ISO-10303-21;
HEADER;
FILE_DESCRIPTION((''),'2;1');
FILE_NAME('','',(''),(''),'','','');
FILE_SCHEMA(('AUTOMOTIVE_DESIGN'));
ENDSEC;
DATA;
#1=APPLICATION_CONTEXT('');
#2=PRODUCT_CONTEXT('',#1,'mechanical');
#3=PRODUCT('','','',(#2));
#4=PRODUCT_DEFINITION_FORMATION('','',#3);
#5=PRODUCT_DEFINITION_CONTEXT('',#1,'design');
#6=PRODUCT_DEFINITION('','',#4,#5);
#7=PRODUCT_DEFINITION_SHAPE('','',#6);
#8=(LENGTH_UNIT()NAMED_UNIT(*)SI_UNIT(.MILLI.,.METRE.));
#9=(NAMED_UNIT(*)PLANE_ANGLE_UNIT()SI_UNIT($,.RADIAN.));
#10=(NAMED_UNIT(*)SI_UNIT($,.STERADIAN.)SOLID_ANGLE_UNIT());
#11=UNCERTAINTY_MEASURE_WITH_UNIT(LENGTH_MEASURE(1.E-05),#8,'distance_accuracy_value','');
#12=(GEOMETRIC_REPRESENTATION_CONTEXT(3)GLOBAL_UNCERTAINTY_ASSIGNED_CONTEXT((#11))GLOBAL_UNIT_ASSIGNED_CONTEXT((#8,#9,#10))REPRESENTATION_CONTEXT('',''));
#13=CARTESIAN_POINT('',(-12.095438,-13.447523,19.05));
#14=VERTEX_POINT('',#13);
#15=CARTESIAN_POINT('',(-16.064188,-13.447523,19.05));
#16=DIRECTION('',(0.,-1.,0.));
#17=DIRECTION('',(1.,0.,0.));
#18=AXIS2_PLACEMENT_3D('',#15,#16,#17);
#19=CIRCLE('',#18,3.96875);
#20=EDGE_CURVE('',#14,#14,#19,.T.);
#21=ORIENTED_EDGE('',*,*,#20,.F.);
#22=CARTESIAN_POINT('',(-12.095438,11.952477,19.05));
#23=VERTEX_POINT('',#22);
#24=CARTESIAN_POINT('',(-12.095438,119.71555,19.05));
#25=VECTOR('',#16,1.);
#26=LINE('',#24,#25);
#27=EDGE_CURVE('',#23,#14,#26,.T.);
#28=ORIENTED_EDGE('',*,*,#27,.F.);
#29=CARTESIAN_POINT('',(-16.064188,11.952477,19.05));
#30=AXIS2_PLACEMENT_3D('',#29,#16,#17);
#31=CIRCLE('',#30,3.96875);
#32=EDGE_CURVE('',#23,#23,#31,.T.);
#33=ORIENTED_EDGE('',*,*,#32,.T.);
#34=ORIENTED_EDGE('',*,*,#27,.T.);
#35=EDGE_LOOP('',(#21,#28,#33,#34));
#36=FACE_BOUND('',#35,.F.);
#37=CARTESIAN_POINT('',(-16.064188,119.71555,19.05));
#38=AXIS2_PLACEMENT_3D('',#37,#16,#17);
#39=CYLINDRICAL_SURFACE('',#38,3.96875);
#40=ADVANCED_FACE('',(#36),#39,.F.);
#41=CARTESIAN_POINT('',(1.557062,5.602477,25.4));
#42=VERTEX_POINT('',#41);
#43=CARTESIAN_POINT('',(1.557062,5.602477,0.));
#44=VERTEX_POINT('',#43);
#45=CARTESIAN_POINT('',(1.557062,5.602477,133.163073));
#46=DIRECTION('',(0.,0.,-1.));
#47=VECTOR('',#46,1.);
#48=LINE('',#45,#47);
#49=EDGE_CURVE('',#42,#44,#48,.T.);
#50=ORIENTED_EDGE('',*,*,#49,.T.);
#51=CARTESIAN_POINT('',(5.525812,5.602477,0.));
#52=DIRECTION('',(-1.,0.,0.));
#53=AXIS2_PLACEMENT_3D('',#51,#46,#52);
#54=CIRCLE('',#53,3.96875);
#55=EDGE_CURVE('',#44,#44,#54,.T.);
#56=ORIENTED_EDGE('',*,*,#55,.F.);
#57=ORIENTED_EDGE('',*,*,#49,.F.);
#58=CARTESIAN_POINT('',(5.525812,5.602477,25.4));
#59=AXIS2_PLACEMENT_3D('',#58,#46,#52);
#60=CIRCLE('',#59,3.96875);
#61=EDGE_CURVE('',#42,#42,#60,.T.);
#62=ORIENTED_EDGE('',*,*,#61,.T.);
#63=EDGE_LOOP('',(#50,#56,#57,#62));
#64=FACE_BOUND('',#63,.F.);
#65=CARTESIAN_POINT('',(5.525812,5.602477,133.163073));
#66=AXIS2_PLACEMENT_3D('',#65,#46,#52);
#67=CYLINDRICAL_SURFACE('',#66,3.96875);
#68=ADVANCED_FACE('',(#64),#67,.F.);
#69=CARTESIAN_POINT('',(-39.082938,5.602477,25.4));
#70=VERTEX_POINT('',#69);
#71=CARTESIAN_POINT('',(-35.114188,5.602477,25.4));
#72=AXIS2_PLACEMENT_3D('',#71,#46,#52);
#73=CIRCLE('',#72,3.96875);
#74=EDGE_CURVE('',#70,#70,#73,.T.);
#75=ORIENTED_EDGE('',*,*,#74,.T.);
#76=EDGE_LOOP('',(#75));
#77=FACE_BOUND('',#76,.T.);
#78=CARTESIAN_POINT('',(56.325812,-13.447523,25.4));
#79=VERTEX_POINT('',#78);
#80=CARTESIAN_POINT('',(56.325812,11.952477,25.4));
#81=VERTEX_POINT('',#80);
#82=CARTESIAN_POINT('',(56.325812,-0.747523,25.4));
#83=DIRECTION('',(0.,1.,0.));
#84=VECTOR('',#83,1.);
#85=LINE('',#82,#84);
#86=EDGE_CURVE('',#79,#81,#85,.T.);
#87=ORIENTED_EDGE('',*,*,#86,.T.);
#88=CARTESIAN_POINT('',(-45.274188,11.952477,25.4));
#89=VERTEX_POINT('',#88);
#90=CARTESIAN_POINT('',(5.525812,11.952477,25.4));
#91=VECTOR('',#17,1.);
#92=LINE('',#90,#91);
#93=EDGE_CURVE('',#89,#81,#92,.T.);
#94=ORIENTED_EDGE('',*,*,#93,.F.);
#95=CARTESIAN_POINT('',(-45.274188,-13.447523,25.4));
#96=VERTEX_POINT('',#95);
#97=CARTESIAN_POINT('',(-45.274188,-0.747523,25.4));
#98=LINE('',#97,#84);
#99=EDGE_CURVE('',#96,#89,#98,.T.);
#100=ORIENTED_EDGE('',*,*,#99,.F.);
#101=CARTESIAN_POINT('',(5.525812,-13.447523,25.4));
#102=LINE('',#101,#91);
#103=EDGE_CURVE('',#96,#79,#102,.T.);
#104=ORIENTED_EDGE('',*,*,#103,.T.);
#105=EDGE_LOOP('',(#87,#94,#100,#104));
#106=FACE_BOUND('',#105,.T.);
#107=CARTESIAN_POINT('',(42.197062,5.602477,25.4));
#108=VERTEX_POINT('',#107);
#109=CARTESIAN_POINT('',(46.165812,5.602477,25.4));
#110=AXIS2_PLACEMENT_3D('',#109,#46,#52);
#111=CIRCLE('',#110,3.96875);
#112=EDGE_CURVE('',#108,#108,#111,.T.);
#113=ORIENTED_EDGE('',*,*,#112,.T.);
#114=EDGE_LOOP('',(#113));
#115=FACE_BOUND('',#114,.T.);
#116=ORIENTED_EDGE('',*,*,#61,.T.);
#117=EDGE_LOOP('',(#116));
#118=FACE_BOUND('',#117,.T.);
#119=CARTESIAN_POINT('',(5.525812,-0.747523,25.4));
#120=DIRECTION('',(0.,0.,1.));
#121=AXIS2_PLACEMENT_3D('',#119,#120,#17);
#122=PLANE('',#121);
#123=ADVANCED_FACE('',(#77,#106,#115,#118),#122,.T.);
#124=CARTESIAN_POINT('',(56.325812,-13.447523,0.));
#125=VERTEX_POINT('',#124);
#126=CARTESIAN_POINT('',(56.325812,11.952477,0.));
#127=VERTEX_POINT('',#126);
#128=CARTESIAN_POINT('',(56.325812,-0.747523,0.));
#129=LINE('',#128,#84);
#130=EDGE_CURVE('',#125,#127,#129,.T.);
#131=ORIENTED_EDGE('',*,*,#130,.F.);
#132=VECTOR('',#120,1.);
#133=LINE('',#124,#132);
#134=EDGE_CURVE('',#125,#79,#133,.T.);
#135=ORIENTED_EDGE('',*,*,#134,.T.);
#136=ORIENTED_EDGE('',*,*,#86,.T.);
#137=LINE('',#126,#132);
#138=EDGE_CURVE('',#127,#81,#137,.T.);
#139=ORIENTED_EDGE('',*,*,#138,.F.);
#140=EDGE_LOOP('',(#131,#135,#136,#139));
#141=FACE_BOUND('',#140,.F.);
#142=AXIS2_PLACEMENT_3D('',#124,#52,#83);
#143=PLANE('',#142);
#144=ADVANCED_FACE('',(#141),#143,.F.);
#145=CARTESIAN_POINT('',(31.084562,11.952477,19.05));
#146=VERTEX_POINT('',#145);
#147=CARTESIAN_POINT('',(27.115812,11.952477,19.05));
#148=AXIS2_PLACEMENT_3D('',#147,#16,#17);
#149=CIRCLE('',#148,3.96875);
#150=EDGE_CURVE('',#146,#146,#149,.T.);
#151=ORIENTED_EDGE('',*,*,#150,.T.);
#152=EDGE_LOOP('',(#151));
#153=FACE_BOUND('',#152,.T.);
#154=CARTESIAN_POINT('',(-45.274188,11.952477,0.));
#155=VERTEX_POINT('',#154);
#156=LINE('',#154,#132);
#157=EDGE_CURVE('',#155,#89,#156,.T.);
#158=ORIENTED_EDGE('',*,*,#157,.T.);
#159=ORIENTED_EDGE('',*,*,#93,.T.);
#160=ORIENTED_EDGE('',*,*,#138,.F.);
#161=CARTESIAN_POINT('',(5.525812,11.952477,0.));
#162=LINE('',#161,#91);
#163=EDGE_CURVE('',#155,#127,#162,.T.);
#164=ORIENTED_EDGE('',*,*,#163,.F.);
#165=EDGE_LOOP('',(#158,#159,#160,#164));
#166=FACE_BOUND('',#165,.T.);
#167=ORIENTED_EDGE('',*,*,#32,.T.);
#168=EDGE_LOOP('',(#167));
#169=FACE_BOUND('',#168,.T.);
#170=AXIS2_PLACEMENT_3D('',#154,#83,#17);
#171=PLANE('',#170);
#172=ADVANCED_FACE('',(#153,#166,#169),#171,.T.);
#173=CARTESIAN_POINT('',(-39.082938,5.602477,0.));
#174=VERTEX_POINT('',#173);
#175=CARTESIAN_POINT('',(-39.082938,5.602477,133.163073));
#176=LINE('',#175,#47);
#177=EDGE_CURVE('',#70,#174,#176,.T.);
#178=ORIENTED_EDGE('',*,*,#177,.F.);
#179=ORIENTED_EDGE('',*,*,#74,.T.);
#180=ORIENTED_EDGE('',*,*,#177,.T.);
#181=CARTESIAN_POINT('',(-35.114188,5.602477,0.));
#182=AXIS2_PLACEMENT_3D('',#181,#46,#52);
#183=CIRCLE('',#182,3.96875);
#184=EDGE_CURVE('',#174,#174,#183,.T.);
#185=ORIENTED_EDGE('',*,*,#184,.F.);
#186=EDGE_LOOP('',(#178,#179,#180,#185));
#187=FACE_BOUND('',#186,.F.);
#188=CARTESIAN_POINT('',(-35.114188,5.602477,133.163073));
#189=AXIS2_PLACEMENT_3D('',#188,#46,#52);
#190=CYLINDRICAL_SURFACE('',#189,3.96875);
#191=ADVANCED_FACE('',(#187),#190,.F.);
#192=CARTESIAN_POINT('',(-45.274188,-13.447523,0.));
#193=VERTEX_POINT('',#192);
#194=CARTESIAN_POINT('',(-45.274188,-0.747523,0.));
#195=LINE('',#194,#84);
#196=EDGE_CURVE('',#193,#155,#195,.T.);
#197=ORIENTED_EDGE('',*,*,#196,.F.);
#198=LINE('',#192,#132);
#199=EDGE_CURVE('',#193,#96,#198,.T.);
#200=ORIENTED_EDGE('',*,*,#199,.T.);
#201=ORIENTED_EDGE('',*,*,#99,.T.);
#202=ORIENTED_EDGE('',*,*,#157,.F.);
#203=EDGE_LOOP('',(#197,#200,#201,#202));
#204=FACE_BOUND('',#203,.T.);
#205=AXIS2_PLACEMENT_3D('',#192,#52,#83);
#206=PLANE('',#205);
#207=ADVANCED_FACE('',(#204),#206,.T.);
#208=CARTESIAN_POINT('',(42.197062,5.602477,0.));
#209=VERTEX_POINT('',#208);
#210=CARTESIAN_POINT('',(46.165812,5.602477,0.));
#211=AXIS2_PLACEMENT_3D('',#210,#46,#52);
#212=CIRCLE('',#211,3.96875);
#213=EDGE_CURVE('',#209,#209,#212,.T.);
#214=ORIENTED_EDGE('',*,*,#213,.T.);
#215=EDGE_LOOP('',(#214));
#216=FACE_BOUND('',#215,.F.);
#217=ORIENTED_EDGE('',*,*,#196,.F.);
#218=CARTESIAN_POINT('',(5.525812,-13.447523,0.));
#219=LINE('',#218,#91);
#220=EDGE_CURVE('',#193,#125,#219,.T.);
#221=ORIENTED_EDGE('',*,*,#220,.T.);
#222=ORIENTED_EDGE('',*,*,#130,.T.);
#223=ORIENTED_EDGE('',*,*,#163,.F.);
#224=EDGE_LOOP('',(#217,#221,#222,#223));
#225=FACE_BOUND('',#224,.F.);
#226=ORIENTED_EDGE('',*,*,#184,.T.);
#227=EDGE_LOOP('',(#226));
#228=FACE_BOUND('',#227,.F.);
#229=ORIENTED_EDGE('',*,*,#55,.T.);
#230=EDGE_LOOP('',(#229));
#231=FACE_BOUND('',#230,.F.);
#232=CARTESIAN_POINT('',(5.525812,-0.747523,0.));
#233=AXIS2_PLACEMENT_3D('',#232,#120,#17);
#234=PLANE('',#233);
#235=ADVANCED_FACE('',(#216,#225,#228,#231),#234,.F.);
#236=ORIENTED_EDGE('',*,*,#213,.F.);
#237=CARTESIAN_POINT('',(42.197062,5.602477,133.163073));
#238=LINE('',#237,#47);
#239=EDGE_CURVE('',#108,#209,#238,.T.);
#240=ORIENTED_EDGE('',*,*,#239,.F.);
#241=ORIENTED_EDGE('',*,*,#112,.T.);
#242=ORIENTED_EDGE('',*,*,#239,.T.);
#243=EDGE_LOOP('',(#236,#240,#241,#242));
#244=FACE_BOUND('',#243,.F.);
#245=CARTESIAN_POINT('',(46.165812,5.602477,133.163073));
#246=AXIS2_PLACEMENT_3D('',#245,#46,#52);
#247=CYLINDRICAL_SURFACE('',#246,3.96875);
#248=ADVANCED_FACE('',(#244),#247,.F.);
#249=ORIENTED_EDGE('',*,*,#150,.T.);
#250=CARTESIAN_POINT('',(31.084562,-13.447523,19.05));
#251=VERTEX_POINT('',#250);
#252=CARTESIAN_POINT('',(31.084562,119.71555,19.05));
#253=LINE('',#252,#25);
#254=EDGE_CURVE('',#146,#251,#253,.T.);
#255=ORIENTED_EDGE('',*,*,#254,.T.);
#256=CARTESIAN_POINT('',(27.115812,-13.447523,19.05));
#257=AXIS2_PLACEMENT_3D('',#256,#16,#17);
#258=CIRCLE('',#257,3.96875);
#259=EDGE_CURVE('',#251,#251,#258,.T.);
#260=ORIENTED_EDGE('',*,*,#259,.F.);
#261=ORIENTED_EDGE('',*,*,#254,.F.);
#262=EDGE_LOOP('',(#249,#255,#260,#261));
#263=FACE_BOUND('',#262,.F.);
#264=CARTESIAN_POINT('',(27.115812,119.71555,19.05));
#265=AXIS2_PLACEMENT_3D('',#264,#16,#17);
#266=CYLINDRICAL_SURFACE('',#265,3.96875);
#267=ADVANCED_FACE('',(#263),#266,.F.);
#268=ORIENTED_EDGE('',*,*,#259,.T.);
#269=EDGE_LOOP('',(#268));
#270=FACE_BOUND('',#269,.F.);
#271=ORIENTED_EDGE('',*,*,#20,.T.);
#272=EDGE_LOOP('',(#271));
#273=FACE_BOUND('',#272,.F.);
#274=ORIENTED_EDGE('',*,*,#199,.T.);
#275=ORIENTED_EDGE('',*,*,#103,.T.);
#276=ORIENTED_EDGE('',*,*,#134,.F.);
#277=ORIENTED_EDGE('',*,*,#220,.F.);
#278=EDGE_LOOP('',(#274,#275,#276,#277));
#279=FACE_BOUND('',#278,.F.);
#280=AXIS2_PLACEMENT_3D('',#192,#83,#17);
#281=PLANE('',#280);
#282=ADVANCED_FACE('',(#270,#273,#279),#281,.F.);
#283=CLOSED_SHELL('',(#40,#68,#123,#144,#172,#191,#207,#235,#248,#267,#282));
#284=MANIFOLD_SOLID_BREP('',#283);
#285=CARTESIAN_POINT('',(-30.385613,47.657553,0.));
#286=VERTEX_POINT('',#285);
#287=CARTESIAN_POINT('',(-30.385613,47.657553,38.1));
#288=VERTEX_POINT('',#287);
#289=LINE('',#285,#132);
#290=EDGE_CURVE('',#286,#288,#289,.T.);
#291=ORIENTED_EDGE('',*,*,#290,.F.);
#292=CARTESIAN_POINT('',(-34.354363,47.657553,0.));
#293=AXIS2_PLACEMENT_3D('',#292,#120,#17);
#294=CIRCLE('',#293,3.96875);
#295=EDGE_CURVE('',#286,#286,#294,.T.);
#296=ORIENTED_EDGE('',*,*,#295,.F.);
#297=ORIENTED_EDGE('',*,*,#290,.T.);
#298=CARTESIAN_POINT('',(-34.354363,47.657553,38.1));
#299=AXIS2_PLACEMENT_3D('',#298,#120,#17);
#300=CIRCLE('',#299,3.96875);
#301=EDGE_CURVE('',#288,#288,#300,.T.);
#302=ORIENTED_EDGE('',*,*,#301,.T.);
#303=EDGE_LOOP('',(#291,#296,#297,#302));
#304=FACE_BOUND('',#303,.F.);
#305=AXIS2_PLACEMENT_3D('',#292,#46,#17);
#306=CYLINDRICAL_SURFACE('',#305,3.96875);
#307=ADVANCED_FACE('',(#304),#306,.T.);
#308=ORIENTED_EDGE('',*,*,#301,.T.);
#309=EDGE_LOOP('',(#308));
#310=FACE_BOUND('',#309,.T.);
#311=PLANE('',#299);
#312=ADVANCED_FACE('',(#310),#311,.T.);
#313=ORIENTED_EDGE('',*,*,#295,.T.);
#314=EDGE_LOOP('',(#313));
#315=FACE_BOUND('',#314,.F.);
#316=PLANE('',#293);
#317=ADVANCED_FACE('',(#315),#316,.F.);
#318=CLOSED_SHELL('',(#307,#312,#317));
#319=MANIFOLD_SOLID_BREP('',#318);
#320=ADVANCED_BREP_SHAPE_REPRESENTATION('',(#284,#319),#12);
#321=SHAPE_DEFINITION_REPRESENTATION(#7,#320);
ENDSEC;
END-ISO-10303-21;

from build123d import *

# Parameters (mm, degrees)
F0_W     = 101.6
F0_H     = 25.4
F1_DEPTH = 25.4
F3_D     = 7.9375
F4_R     = 3.96875
F5_DEPTH = 38.1
F7_D     = 7.9375


with BuildPart() as f1:
    # F0 (on Top) → F1 (new body)
    with BuildSketch(Plane.XY):
        with Locations((5.525812, -0.747523)):
            Rectangle(F0_W, F0_H)
    extrude(amount=F1_DEPTH)

    # F3 (through all)
    with Locations(Plane.XY.offset(25.4)):
        with Locations((-35.114188, 5.602477), (5.525812, 5.602477), (46.165812, 5.602477)):
            Hole(F3_D / 2)

    # F7 (through all)
    with Locations(Plane(origin=(0, 11.952477, 0), x_dir=(-1, 0, 0), z_dir=(0, 1, 0))):
        with Locations((16.064188, 19.05), (-27.115812, 19.05)):
            Hole(F7_D / 2)


with BuildPart() as f5:
    # F4 (on Top) → F5 (new body)
    with BuildSketch(Plane.XY):
        with Locations((-34.354363, 47.657553)):
            Circle(F4_R)
    extrude(amount=F5_DEPTH)


solid = Compound([f1.part, f5.part])
